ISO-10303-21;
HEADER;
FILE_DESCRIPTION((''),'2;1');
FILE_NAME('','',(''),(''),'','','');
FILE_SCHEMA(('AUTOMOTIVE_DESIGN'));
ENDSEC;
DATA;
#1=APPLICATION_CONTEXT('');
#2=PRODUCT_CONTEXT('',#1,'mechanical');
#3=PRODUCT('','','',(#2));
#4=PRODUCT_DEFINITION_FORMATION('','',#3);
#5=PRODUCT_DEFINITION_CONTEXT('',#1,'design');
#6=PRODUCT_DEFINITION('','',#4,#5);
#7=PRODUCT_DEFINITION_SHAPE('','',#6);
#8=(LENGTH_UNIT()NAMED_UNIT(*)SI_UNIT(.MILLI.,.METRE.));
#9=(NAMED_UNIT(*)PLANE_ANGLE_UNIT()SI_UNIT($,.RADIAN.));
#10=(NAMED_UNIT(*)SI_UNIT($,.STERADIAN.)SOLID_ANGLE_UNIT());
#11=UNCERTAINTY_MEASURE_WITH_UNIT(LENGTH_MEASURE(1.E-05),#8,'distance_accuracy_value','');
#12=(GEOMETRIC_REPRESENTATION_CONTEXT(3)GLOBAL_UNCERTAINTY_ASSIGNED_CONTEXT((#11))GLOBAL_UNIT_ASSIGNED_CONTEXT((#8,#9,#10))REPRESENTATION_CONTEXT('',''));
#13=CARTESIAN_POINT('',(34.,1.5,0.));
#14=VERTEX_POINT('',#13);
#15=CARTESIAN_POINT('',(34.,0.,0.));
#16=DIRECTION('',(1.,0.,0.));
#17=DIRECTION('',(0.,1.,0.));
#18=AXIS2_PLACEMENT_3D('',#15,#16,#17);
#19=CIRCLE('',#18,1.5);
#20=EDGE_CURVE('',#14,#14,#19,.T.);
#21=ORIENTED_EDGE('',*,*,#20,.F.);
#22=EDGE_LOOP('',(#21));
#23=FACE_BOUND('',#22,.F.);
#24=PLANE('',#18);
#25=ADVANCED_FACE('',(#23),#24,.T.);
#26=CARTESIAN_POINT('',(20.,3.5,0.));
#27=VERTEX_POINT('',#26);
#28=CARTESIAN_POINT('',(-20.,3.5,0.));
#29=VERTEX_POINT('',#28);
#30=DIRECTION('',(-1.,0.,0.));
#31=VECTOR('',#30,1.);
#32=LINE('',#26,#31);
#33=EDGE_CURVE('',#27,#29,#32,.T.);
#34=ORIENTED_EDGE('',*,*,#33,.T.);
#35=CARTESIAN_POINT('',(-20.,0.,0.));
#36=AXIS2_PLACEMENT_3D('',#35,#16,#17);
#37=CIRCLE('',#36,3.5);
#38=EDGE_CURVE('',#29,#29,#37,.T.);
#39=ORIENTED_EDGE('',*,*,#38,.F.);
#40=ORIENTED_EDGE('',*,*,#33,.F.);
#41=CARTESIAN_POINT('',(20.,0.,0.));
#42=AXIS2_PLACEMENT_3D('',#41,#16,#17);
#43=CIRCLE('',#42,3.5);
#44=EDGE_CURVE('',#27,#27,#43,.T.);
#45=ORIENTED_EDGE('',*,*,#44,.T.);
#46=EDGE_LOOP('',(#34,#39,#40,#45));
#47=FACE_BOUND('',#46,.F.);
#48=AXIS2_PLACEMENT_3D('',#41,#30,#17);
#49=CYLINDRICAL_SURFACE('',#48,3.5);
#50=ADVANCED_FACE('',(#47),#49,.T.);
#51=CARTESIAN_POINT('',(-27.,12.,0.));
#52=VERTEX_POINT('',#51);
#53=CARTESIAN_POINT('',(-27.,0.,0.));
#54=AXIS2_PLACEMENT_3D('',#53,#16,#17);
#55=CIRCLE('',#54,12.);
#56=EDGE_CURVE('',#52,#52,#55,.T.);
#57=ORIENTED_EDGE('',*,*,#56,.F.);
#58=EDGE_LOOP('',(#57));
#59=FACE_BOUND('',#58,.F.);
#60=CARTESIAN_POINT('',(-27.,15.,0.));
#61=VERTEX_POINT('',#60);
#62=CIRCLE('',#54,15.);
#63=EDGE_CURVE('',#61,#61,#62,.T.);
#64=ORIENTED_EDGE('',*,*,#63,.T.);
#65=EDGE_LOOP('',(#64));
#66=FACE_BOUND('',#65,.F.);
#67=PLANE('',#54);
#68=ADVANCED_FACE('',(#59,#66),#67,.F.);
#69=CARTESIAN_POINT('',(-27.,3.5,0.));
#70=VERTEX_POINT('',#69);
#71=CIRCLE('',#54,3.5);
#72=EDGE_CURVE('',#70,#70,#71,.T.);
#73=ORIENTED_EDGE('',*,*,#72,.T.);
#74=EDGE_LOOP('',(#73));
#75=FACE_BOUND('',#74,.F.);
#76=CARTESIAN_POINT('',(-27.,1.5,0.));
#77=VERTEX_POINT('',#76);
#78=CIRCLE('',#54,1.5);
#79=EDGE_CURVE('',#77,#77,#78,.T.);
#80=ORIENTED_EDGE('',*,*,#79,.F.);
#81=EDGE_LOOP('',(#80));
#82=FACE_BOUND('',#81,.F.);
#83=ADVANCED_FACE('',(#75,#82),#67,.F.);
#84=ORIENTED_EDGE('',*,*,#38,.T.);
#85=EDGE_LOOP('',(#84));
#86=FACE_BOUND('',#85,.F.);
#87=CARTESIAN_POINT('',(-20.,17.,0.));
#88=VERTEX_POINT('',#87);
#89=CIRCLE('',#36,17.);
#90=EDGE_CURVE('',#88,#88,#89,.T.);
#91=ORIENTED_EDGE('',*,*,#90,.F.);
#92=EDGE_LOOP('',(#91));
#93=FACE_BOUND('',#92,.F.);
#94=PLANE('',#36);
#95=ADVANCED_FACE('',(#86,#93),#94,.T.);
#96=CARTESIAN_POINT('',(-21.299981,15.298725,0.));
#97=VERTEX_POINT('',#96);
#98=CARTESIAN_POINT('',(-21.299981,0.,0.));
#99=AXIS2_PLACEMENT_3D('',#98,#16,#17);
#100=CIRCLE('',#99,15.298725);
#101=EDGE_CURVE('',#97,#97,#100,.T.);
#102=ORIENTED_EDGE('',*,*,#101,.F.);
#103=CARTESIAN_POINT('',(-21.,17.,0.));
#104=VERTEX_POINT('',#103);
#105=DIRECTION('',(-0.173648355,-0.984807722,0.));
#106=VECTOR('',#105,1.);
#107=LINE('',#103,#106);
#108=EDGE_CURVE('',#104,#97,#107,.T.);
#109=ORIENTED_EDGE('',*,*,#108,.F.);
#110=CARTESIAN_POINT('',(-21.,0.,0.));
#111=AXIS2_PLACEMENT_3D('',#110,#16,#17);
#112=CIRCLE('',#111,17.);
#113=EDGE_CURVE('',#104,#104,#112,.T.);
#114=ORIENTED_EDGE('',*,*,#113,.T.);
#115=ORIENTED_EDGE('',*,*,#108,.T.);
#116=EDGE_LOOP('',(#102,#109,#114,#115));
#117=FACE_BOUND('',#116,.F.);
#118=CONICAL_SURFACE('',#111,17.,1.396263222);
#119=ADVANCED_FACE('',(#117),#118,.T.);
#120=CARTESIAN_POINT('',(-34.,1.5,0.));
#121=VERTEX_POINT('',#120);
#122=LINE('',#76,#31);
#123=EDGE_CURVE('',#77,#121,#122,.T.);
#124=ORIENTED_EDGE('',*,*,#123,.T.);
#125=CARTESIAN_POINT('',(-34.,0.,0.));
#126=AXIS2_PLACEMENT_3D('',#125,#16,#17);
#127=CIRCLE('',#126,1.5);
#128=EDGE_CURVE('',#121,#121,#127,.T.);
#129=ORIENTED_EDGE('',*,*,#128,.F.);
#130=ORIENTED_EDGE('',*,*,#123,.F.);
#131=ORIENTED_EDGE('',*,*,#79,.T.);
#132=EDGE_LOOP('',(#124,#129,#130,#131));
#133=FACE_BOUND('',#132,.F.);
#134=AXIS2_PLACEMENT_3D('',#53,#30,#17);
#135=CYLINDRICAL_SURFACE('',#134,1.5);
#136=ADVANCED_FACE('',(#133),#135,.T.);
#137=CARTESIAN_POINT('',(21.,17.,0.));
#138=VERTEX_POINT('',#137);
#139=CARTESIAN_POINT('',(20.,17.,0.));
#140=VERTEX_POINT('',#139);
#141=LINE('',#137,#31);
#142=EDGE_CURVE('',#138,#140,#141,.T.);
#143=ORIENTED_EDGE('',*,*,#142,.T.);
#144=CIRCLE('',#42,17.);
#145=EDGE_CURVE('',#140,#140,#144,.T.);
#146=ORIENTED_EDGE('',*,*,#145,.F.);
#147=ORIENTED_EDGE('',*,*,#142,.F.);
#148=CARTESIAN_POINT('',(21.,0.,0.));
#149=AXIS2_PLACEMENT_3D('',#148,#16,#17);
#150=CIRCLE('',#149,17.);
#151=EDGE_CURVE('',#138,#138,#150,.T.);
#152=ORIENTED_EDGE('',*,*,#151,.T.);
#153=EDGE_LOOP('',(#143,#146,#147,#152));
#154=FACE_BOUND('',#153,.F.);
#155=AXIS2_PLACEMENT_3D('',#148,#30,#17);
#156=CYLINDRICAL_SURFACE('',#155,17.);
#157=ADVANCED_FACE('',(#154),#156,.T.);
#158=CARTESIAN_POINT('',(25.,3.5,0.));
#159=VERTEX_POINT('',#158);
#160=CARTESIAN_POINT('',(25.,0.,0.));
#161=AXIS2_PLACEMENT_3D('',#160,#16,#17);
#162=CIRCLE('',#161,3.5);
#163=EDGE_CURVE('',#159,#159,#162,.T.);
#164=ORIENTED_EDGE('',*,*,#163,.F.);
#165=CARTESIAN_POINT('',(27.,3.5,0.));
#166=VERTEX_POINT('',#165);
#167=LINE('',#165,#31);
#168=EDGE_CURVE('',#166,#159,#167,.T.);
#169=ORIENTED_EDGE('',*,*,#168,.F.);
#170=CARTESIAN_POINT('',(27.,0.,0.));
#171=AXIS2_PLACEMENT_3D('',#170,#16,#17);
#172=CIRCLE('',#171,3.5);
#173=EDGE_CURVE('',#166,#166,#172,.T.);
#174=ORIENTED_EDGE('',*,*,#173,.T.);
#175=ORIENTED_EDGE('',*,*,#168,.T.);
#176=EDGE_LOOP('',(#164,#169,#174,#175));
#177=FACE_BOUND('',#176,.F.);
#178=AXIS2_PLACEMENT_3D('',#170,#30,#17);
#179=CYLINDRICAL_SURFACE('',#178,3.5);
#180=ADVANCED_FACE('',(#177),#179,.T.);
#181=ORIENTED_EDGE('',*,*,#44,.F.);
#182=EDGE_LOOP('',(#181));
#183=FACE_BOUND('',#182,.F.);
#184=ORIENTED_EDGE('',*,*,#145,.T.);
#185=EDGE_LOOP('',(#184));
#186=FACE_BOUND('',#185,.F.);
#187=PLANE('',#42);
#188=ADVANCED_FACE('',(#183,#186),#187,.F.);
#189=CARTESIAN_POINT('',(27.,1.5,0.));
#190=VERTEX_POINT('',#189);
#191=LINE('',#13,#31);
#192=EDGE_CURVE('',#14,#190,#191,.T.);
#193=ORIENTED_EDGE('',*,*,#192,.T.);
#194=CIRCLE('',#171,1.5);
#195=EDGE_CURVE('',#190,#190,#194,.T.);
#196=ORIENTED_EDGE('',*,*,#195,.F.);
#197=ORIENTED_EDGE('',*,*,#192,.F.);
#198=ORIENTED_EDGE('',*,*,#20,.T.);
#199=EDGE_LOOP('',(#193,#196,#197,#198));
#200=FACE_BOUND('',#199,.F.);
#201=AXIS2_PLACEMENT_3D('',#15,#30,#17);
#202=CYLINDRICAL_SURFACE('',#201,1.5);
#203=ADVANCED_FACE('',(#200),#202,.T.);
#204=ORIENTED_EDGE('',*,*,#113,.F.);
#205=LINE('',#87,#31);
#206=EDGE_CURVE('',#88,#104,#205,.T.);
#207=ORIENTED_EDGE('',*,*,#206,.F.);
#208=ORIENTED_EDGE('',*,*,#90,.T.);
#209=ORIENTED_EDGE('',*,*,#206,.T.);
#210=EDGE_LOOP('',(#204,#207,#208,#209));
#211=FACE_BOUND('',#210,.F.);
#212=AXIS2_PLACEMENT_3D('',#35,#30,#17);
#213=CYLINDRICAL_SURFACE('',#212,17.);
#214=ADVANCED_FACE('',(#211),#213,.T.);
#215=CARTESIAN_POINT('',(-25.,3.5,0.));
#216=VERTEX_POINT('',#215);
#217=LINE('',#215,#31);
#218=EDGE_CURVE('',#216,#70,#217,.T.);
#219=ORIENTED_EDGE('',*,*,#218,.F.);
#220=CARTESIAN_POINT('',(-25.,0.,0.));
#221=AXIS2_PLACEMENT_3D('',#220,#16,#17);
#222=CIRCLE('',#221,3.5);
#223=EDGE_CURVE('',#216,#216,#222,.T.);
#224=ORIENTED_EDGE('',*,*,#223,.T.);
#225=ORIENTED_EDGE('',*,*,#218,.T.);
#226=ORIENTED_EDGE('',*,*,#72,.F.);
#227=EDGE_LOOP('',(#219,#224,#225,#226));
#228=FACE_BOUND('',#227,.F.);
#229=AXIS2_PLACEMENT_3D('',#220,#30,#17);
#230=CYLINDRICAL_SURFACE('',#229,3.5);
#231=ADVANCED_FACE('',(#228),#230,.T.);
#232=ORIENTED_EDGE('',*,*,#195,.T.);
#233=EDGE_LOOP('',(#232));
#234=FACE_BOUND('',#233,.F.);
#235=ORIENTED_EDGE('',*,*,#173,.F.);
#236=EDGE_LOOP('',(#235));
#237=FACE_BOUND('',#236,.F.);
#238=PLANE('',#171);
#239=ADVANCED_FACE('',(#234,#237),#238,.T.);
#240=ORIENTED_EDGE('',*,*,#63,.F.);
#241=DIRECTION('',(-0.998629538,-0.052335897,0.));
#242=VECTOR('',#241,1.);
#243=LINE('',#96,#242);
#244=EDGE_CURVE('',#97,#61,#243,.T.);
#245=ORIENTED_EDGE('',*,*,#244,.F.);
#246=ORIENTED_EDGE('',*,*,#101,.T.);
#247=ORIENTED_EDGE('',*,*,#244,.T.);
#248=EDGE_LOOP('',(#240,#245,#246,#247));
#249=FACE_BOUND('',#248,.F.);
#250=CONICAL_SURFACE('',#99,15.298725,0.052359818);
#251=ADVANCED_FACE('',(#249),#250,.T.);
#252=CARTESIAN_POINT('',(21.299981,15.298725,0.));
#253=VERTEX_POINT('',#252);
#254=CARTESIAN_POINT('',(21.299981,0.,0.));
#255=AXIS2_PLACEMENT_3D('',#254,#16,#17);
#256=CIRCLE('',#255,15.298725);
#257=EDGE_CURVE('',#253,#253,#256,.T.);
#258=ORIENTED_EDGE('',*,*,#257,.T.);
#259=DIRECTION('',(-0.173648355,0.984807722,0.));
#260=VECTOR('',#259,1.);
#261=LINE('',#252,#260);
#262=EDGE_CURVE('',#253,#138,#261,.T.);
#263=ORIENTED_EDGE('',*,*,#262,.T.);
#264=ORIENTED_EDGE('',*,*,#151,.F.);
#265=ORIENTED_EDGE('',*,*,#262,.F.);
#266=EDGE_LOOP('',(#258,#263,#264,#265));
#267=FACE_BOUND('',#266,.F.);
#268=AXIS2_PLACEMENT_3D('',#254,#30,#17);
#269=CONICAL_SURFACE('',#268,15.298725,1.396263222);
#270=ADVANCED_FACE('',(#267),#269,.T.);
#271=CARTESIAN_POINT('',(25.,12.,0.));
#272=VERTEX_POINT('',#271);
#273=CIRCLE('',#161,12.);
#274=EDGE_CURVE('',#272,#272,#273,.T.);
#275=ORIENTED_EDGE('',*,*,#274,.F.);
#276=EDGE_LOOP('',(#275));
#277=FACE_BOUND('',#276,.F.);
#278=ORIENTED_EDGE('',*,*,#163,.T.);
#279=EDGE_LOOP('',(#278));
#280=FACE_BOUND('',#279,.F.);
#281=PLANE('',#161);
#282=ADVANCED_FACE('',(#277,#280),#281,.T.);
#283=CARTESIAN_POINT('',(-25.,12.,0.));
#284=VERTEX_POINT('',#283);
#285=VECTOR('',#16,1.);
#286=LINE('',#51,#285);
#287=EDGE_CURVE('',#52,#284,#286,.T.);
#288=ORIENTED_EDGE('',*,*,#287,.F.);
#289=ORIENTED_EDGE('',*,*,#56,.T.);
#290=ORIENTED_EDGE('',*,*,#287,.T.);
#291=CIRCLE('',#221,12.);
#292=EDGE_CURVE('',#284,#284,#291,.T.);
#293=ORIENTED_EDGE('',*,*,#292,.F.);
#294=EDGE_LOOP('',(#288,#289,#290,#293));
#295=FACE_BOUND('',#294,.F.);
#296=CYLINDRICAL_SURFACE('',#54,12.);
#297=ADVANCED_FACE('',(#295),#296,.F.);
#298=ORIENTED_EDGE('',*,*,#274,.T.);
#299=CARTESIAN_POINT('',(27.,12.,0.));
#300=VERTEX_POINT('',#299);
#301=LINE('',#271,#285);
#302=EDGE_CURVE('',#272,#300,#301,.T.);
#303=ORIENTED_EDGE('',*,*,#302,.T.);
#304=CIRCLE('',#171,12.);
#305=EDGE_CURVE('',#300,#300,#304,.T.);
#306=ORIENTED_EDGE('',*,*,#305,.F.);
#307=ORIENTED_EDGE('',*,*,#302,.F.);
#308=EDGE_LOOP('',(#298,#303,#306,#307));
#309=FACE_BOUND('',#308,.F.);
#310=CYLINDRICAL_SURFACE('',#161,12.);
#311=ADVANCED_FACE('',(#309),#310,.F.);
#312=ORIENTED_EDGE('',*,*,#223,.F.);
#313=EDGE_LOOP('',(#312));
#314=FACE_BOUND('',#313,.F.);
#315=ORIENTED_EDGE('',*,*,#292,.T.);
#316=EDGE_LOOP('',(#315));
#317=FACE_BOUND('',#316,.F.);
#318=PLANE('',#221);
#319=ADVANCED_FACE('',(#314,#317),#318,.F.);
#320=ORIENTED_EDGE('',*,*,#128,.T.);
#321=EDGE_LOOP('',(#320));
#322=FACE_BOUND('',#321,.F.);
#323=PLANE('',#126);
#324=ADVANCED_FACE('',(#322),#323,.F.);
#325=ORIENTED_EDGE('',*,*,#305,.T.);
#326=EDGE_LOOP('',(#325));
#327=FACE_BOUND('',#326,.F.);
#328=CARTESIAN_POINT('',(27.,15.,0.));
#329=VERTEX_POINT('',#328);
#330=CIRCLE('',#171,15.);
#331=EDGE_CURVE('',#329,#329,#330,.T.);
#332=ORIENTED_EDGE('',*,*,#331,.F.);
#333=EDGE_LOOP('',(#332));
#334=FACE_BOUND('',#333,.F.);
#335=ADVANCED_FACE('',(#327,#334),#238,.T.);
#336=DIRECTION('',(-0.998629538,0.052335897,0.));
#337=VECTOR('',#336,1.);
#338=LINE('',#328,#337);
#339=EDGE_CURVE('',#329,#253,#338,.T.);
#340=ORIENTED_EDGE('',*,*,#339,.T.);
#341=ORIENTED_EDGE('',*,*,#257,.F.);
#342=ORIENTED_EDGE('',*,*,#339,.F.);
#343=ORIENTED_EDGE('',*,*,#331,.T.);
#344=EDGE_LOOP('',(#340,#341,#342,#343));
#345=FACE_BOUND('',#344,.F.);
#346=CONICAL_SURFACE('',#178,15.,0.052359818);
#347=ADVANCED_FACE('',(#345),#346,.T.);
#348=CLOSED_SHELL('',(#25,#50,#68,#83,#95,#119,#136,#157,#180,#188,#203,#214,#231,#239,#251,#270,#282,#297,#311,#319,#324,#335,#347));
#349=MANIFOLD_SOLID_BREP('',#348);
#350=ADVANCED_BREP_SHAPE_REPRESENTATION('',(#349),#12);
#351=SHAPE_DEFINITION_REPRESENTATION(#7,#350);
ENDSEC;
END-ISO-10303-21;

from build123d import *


with BuildPart() as f1:
    # F0 (on Top) → F1 (revolve)
    with BuildSketch(Plane.XY):
        Polygon((25, 12), (27, 12), (27, 15), (21.299981, 15.298725), (21, 17), (20, 17), (20, 3.5), (0, 3.5), (-20, 3.5), (-20, 17), (-21, 17), (-21.299981, 15.298725), (-27, 15), (-27, 12), (-25, 12), (-25, 3.5), (-27, 3.5), (-27, 1.5), (-34, 1.5), (-34, 0), (34, 0), (34, 1.5), (27, 1.5), (27, 3.5), (25, 3.5), align=None)
    revolve(axis=Axis((0.492189, 0, 0), (1, 0, 0)))


solid = f1.part
